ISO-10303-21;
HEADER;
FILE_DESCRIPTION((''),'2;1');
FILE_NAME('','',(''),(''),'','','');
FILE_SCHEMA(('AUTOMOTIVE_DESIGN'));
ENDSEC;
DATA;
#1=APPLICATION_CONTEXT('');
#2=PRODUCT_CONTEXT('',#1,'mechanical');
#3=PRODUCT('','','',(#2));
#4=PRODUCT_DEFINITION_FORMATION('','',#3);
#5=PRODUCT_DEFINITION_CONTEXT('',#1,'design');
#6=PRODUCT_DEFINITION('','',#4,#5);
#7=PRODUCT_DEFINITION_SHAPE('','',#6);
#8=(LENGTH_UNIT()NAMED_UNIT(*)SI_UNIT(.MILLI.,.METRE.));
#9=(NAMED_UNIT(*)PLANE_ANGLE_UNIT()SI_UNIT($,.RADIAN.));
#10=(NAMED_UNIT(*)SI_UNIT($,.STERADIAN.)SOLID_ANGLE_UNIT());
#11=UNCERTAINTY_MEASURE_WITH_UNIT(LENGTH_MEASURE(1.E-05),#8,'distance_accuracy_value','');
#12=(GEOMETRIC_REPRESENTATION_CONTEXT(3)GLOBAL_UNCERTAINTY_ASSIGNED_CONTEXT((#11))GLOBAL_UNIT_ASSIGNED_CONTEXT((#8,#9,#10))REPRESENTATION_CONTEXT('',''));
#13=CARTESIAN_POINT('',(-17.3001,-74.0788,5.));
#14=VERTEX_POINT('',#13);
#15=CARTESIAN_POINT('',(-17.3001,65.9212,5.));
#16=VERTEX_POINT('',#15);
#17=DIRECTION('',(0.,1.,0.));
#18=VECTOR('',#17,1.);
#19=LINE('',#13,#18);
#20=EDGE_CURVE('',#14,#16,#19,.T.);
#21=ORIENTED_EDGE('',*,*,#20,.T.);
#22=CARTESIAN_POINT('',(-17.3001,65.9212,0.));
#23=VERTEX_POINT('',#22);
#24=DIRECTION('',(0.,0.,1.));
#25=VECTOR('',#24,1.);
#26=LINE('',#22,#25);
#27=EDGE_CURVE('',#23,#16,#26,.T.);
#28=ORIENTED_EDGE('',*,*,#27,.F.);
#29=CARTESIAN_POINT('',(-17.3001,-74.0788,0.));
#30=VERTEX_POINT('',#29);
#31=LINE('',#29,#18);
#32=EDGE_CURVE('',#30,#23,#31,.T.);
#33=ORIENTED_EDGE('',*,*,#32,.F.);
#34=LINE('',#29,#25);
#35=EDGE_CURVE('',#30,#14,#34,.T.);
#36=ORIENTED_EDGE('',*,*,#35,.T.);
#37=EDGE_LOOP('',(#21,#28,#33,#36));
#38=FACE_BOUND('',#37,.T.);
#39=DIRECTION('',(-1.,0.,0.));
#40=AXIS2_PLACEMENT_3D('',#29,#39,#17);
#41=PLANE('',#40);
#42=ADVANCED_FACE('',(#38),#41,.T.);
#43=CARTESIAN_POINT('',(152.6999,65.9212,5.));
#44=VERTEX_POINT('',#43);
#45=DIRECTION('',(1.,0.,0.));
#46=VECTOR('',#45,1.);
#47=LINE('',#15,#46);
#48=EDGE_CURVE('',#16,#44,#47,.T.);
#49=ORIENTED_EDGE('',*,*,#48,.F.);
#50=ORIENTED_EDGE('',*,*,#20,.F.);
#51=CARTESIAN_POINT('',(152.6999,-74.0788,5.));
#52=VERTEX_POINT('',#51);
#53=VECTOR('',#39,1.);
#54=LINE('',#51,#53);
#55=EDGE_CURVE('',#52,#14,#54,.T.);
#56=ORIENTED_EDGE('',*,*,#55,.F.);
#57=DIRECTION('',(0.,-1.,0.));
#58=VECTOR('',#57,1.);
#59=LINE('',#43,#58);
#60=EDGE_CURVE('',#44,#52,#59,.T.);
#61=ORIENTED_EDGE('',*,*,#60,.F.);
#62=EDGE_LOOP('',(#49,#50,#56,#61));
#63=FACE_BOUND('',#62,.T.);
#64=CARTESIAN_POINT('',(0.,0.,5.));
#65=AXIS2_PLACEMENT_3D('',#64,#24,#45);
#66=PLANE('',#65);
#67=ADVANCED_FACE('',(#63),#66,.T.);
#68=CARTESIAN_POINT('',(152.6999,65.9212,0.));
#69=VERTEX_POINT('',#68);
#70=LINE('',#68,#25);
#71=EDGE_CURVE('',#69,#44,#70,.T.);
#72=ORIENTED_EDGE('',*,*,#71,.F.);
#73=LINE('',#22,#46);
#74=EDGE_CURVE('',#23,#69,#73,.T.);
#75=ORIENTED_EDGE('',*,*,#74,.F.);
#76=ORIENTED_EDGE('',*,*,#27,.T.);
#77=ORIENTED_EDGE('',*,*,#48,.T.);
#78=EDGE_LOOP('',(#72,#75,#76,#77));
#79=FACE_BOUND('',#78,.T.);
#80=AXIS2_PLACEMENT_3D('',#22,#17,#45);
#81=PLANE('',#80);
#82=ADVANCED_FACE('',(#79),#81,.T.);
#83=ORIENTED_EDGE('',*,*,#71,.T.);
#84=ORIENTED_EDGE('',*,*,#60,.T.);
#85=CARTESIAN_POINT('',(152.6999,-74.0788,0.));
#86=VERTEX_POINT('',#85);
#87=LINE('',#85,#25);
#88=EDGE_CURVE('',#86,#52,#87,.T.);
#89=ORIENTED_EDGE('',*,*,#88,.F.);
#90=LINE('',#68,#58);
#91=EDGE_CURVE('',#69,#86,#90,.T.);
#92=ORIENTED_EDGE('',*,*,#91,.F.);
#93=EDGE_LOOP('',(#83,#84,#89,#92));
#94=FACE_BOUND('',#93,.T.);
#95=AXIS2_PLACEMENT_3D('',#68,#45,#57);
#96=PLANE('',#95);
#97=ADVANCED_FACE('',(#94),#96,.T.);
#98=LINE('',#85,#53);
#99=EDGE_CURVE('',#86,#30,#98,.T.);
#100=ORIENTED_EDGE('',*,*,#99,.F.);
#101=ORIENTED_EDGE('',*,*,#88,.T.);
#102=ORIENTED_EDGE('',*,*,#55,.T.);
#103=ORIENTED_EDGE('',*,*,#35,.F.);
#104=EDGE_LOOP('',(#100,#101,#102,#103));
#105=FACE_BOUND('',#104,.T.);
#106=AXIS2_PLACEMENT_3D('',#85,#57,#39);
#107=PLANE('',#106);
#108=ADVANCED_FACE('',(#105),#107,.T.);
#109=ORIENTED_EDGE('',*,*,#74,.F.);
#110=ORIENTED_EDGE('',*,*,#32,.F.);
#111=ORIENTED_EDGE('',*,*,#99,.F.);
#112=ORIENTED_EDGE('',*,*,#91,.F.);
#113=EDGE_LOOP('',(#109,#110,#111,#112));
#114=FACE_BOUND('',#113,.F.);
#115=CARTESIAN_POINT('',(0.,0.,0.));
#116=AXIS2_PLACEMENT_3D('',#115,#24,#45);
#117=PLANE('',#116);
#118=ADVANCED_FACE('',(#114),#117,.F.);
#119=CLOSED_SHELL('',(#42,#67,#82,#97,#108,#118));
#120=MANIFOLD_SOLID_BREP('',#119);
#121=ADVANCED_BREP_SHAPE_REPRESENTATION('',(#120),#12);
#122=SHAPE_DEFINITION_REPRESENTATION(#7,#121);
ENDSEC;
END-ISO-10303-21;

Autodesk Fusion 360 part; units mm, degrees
sketch "Sketch1" plane through (0, 0, 0) normal (0, 0, 1) x (1, 0, 0)
  line L0 (-17.3001, 65.9212) -> (152.6999, 65.9212)
  line L1 (152.6999, 65.9212) -> (152.6999, -74.0788)
  line L2 (152.6999, -74.0788) -> (-17.3001, -74.0788)
  line L3 (-17.3001, -74.0788) -> (-17.3001, 65.9212)
  dimension "d1" = 140
  dimension "d2" = 170
extrude "Extrude1" add sketch "Sketch1" along normal blind 5
sketch "Sketch6" plane through (0, 0, 5) normal (0, 0, 1) x (-1, 0, 0)
  line L0 (17.3001, 74.0788) -> (-152.6999, 74.0788)
  line L1 (-152.6999, 74.0788) -> (-152.6999, -65.9212)
  line L2 (-152.6999, -65.9212) -> (17.3001, -65.9212)
  line L3 (17.3001, -65.9212) -> (17.3001, 74.0788)
  line L4 (-2.6999, 54.0788) -> (-132.6999, 54.0788)
  line L5 (-132.6999, 54.0788) -> (-132.6999, -45.9212)
  line L6 (-132.6999, -45.9212) -> (-2.6999, -45.9212)
  line L7 (-2.6999, -45.9212) -> (-2.6999, 54.0788)
  line L8 (17.3001, 74.0788) -> (17.3001, -65.9212)
  line L9 (-152.6999, -65.9212) -> (-152.6999, 74.0788)
  line L10 (-152.6999, 74.0788) -> (17.3001, 74.0788)
  line L11 (17.3001, -65.9212) -> (-152.6999, -65.9212)
  line L12 (-2.6999, 54.0788) -> (-12.6999, 54.0788)
  line L13 (-12.6999, 54.0788) -> (-12.6999, 44.0788)
  line L14 (-12.6999, 44.0788) -> (-2.6999, 44.0788)
  line L15 (-2.6999, 44.0788) -> (-2.6999, 54.0788)
  line L16 (-2.6999, -45.9212) -> (-12.6999, -45.9212)
  line L17 (-12.6999, -45.9212) -> (-12.6999, -35.9212)
  line L18 (-12.6999, -35.9212) -> (-2.6999, -35.9212)
  line L19 (-2.6999, -35.9212) -> (-2.6999, -45.9212)
  line L20 (-132.6999, 54.0788) -> (-122.6999, 54.0788)
  line L21 (-122.6999, 54.0788) -> (-122.6999, 44.0788)
  line L22 (-122.6999, 44.0788) -> (-132.6999, 44.0788)
  line L23 (-132.6999, 44.0788) -> (-132.6999, 54.0788)
  line L24 (-132.6999, -45.9212) -> (-122.6999, -45.9212)
  line L25 (-122.6999, -45.9212) -> (-122.6999, -35.9212)
  line L26 (-122.6999, -35.9212) -> (-132.6999, -35.9212)
  line L27 (-132.6999, -35.9212) -> (-132.6999, -45.9212)
  line L28 (-62.6999, 54.0788) -> (-72.6999, 54.0788)
  line L29 (-72.6999, 54.0788) -> (-72.6999, 44.0788)
  line L30 (-72.6999, 44.0788) -> (-62.6999, 44.0788)
  line L31 (-62.6999, 44.0788) -> (-62.6999, 54.0788)
  line L32 (-62.6999, -45.9212) -> (-72.6999, -45.9212)
  line L33 (-72.6999, -45.9212) -> (-72.6999, -35.9212)
  line L34 (-72.6999, -35.9212) -> (-62.6999, -35.9212)
  line L35 (-62.6999, -35.9212) -> (-62.6999, -45.9212)
  line L36 (-22.6999, -25.9212) -> (-112.6999, -25.9212)
  line L37 (-112.6999, -25.9212) -> (-112.6999, 34.0788)
  line L38 (-112.6999, 34.0788) -> (-22.6999, 34.0788)
  line L39 (-22.6999, 34.0788) -> (-22.6999, -25.9212)
  line L40 (-7.6999, -40.9212) -> (-127.6999, -40.9212)
  line L41 (-127.6999, -40.9212) -> (-127.6999, 49.0788)
  line L42 (-127.6999, 49.0788) -> (-7.6999, 49.0788)
  line L43 (-7.6999, 49.0788) -> (-7.6999, -40.9212)
  dimension "d23" = 20
  dimension "d24" = 20
  dimension "d25" = 20
  dimension "d26" = 20
  dimension "d27" = 10
  dimension "d28" = 10
  dimension "d29" = 10
  dimension "d30" = 10
  dimension "d31" = 10
  dimension "d32" = 10
  dimension "d33" = 10
  dimension "d34" = 10
  dimension "d35" = 10
  dimension "d36" = 10
  dimension "d37" = 10
  dimension "d38" = 10
  dimension "d39" = 50
  dimension "d40" = 50
  dimension "d41" = 50
  dimension "d42" = 50
  dimension "d57" = 10
  dimension "d58" = 10
  dimension "d59" = 10
  dimension "d60" = 10
  dimension "d61" = 20
  dimension "d62" = 20
  dimension "d65" = 5
  dimension "d66" = 5
  dimension "d67" = 5
  dimension "d68" = 5
  dimension "d69" = 5
  dimension "d70" = 5
  dimension "d71" = 5
  dimension "d72" = 5
  dimension "d73" = 120
  dimension "d74" = 90
  dimension "d75" = 25
  dimension "d76" = 25
  dimension "d77" = 15
  dimension "d78" = 15
